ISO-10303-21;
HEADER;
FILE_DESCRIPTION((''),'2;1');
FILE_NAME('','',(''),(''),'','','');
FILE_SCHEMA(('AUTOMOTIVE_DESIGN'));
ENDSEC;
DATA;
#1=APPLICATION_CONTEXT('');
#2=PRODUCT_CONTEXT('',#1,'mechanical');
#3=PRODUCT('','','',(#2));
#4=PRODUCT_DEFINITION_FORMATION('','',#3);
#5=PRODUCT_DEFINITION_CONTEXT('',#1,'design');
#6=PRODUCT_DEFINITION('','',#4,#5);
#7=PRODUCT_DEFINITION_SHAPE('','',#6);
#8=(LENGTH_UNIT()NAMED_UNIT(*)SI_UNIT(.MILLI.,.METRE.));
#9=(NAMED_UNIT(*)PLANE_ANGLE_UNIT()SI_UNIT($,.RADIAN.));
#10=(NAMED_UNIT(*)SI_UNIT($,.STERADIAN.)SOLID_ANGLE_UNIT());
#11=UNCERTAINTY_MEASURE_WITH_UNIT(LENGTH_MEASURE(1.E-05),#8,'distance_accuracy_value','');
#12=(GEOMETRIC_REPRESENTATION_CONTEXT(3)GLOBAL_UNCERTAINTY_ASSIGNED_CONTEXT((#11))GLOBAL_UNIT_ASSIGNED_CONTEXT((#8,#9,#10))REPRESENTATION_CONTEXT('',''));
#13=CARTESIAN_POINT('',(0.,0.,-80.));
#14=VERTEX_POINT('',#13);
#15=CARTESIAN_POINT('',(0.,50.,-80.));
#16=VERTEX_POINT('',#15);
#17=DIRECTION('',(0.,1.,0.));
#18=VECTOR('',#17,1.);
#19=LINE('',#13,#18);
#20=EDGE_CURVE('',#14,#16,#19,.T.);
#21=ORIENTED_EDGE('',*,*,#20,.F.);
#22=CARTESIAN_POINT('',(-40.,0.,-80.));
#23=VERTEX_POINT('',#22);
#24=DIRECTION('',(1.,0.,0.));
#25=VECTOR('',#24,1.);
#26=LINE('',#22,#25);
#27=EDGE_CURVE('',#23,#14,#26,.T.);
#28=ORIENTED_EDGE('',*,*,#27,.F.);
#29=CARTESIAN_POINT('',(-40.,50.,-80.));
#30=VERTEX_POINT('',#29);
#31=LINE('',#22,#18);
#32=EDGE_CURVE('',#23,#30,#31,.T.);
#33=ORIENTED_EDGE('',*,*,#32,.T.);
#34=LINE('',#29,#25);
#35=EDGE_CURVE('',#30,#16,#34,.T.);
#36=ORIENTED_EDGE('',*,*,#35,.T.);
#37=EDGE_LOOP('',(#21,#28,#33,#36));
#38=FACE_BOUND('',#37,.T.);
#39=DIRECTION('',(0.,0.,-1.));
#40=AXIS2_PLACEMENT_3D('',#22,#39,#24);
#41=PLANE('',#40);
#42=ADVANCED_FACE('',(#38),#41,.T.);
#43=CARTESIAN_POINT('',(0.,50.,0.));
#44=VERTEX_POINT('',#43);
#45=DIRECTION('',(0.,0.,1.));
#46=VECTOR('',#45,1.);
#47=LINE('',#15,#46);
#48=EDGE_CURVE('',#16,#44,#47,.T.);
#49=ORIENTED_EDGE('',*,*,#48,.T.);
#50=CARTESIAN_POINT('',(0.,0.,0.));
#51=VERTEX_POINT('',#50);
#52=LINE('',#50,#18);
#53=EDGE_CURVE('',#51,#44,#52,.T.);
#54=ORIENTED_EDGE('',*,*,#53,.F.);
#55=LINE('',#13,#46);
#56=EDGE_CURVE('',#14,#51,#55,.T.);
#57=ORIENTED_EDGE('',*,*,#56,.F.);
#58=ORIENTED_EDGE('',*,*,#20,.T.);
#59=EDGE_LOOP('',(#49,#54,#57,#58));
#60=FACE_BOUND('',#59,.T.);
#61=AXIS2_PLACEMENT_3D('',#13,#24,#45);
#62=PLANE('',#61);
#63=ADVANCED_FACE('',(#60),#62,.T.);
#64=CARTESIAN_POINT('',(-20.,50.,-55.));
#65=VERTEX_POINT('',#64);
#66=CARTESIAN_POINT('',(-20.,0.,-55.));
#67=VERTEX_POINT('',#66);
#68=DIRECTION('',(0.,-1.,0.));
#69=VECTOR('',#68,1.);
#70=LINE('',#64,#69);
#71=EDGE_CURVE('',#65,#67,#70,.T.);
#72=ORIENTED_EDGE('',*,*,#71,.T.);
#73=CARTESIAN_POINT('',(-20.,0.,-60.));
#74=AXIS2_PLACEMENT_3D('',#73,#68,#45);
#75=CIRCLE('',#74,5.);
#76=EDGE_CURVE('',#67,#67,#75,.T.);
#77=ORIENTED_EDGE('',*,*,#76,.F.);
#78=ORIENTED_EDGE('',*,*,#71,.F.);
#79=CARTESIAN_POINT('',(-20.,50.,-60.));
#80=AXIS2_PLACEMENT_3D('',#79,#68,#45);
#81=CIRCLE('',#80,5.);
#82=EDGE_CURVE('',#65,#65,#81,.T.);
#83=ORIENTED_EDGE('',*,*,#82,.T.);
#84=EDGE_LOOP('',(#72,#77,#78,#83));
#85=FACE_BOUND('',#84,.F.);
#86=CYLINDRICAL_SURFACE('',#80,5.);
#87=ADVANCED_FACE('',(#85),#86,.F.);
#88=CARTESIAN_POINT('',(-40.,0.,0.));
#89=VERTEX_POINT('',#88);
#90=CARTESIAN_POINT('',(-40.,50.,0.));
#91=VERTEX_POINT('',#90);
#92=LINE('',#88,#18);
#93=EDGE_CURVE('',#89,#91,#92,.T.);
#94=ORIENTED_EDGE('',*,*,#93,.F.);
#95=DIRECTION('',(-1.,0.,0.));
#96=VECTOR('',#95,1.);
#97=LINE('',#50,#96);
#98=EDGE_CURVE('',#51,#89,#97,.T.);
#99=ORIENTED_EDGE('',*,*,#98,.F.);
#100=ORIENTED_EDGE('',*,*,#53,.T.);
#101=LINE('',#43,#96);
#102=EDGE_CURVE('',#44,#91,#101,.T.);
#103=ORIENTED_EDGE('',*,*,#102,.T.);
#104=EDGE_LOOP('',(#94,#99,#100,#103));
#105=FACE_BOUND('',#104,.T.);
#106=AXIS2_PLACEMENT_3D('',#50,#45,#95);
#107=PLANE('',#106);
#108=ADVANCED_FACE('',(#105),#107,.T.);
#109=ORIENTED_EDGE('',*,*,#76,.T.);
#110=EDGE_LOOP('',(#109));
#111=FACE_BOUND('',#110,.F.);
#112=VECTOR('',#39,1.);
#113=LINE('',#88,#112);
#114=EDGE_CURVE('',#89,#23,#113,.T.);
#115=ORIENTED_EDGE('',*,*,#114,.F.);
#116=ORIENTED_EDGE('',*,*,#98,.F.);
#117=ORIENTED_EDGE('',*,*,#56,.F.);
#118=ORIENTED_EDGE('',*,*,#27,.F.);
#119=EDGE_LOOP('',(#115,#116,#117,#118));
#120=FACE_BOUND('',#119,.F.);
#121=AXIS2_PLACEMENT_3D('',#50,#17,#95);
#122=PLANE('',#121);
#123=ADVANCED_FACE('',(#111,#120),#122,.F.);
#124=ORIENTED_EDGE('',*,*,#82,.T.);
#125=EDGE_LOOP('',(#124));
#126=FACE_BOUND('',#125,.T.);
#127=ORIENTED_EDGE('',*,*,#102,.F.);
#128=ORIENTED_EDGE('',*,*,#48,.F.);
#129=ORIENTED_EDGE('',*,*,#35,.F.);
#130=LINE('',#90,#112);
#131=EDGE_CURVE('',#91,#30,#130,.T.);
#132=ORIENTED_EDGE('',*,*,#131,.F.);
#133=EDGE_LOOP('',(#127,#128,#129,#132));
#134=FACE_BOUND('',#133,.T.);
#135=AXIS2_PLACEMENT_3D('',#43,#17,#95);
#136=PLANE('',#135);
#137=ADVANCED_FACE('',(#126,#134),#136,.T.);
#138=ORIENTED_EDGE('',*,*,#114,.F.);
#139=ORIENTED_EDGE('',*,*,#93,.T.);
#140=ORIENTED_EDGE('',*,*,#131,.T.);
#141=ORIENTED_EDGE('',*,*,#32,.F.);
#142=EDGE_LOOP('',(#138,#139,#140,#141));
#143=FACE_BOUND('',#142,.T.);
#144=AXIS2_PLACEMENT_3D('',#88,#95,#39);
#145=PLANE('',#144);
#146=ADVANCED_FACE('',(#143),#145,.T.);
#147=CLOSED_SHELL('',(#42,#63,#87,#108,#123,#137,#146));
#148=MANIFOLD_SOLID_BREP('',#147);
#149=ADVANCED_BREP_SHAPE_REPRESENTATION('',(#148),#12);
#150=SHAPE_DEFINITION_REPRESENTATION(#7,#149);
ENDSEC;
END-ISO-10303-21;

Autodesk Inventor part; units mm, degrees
ref_plane "YZ Plane" through (0, 0, 0) normal (1, 0, 0) x (0, 1, 0)
ref_plane "XZ Plane" through (0, 0, 0) normal (0, 1, 0) x (-1, 0, 0)
ref_plane "XY Plane" through (0, 0, 0) normal (0, 0, 1) x (1, 0, 0)
sketch "스케치1" plane through (0, 0, 0) normal (0, 1, 0) x (-1, 0, 0)
  line L0 (0, 0) -> (40, 0)
  line L1 (40, 0) -> (40, -80)
  line L2 (40, -80) -> (0, -80)
  line L3 (0, -80) -> (0, 0)
  dimension "d0" = 40
  dimension "d1" = 80
extrude "돌출1" add sketch "스케치1" along normal blind 50
sketch "스케치2" plane through (0, 50, 0) normal (0, 1, 0) x (1, 0, 0)
  line L0 (0, 80) -> (-40, 80) construction
  line L1 (-20, 80) -> (-20, 0) construction
  line L2 (-40, 0) -> (0, 0) construction
  point P0 (-20, 60)
  dimension "d4" = 20
hole "구멍1" at (-20, 50, -60) direction (0, -1, 0) diameter 10 end through all
properties part number "Motor"
